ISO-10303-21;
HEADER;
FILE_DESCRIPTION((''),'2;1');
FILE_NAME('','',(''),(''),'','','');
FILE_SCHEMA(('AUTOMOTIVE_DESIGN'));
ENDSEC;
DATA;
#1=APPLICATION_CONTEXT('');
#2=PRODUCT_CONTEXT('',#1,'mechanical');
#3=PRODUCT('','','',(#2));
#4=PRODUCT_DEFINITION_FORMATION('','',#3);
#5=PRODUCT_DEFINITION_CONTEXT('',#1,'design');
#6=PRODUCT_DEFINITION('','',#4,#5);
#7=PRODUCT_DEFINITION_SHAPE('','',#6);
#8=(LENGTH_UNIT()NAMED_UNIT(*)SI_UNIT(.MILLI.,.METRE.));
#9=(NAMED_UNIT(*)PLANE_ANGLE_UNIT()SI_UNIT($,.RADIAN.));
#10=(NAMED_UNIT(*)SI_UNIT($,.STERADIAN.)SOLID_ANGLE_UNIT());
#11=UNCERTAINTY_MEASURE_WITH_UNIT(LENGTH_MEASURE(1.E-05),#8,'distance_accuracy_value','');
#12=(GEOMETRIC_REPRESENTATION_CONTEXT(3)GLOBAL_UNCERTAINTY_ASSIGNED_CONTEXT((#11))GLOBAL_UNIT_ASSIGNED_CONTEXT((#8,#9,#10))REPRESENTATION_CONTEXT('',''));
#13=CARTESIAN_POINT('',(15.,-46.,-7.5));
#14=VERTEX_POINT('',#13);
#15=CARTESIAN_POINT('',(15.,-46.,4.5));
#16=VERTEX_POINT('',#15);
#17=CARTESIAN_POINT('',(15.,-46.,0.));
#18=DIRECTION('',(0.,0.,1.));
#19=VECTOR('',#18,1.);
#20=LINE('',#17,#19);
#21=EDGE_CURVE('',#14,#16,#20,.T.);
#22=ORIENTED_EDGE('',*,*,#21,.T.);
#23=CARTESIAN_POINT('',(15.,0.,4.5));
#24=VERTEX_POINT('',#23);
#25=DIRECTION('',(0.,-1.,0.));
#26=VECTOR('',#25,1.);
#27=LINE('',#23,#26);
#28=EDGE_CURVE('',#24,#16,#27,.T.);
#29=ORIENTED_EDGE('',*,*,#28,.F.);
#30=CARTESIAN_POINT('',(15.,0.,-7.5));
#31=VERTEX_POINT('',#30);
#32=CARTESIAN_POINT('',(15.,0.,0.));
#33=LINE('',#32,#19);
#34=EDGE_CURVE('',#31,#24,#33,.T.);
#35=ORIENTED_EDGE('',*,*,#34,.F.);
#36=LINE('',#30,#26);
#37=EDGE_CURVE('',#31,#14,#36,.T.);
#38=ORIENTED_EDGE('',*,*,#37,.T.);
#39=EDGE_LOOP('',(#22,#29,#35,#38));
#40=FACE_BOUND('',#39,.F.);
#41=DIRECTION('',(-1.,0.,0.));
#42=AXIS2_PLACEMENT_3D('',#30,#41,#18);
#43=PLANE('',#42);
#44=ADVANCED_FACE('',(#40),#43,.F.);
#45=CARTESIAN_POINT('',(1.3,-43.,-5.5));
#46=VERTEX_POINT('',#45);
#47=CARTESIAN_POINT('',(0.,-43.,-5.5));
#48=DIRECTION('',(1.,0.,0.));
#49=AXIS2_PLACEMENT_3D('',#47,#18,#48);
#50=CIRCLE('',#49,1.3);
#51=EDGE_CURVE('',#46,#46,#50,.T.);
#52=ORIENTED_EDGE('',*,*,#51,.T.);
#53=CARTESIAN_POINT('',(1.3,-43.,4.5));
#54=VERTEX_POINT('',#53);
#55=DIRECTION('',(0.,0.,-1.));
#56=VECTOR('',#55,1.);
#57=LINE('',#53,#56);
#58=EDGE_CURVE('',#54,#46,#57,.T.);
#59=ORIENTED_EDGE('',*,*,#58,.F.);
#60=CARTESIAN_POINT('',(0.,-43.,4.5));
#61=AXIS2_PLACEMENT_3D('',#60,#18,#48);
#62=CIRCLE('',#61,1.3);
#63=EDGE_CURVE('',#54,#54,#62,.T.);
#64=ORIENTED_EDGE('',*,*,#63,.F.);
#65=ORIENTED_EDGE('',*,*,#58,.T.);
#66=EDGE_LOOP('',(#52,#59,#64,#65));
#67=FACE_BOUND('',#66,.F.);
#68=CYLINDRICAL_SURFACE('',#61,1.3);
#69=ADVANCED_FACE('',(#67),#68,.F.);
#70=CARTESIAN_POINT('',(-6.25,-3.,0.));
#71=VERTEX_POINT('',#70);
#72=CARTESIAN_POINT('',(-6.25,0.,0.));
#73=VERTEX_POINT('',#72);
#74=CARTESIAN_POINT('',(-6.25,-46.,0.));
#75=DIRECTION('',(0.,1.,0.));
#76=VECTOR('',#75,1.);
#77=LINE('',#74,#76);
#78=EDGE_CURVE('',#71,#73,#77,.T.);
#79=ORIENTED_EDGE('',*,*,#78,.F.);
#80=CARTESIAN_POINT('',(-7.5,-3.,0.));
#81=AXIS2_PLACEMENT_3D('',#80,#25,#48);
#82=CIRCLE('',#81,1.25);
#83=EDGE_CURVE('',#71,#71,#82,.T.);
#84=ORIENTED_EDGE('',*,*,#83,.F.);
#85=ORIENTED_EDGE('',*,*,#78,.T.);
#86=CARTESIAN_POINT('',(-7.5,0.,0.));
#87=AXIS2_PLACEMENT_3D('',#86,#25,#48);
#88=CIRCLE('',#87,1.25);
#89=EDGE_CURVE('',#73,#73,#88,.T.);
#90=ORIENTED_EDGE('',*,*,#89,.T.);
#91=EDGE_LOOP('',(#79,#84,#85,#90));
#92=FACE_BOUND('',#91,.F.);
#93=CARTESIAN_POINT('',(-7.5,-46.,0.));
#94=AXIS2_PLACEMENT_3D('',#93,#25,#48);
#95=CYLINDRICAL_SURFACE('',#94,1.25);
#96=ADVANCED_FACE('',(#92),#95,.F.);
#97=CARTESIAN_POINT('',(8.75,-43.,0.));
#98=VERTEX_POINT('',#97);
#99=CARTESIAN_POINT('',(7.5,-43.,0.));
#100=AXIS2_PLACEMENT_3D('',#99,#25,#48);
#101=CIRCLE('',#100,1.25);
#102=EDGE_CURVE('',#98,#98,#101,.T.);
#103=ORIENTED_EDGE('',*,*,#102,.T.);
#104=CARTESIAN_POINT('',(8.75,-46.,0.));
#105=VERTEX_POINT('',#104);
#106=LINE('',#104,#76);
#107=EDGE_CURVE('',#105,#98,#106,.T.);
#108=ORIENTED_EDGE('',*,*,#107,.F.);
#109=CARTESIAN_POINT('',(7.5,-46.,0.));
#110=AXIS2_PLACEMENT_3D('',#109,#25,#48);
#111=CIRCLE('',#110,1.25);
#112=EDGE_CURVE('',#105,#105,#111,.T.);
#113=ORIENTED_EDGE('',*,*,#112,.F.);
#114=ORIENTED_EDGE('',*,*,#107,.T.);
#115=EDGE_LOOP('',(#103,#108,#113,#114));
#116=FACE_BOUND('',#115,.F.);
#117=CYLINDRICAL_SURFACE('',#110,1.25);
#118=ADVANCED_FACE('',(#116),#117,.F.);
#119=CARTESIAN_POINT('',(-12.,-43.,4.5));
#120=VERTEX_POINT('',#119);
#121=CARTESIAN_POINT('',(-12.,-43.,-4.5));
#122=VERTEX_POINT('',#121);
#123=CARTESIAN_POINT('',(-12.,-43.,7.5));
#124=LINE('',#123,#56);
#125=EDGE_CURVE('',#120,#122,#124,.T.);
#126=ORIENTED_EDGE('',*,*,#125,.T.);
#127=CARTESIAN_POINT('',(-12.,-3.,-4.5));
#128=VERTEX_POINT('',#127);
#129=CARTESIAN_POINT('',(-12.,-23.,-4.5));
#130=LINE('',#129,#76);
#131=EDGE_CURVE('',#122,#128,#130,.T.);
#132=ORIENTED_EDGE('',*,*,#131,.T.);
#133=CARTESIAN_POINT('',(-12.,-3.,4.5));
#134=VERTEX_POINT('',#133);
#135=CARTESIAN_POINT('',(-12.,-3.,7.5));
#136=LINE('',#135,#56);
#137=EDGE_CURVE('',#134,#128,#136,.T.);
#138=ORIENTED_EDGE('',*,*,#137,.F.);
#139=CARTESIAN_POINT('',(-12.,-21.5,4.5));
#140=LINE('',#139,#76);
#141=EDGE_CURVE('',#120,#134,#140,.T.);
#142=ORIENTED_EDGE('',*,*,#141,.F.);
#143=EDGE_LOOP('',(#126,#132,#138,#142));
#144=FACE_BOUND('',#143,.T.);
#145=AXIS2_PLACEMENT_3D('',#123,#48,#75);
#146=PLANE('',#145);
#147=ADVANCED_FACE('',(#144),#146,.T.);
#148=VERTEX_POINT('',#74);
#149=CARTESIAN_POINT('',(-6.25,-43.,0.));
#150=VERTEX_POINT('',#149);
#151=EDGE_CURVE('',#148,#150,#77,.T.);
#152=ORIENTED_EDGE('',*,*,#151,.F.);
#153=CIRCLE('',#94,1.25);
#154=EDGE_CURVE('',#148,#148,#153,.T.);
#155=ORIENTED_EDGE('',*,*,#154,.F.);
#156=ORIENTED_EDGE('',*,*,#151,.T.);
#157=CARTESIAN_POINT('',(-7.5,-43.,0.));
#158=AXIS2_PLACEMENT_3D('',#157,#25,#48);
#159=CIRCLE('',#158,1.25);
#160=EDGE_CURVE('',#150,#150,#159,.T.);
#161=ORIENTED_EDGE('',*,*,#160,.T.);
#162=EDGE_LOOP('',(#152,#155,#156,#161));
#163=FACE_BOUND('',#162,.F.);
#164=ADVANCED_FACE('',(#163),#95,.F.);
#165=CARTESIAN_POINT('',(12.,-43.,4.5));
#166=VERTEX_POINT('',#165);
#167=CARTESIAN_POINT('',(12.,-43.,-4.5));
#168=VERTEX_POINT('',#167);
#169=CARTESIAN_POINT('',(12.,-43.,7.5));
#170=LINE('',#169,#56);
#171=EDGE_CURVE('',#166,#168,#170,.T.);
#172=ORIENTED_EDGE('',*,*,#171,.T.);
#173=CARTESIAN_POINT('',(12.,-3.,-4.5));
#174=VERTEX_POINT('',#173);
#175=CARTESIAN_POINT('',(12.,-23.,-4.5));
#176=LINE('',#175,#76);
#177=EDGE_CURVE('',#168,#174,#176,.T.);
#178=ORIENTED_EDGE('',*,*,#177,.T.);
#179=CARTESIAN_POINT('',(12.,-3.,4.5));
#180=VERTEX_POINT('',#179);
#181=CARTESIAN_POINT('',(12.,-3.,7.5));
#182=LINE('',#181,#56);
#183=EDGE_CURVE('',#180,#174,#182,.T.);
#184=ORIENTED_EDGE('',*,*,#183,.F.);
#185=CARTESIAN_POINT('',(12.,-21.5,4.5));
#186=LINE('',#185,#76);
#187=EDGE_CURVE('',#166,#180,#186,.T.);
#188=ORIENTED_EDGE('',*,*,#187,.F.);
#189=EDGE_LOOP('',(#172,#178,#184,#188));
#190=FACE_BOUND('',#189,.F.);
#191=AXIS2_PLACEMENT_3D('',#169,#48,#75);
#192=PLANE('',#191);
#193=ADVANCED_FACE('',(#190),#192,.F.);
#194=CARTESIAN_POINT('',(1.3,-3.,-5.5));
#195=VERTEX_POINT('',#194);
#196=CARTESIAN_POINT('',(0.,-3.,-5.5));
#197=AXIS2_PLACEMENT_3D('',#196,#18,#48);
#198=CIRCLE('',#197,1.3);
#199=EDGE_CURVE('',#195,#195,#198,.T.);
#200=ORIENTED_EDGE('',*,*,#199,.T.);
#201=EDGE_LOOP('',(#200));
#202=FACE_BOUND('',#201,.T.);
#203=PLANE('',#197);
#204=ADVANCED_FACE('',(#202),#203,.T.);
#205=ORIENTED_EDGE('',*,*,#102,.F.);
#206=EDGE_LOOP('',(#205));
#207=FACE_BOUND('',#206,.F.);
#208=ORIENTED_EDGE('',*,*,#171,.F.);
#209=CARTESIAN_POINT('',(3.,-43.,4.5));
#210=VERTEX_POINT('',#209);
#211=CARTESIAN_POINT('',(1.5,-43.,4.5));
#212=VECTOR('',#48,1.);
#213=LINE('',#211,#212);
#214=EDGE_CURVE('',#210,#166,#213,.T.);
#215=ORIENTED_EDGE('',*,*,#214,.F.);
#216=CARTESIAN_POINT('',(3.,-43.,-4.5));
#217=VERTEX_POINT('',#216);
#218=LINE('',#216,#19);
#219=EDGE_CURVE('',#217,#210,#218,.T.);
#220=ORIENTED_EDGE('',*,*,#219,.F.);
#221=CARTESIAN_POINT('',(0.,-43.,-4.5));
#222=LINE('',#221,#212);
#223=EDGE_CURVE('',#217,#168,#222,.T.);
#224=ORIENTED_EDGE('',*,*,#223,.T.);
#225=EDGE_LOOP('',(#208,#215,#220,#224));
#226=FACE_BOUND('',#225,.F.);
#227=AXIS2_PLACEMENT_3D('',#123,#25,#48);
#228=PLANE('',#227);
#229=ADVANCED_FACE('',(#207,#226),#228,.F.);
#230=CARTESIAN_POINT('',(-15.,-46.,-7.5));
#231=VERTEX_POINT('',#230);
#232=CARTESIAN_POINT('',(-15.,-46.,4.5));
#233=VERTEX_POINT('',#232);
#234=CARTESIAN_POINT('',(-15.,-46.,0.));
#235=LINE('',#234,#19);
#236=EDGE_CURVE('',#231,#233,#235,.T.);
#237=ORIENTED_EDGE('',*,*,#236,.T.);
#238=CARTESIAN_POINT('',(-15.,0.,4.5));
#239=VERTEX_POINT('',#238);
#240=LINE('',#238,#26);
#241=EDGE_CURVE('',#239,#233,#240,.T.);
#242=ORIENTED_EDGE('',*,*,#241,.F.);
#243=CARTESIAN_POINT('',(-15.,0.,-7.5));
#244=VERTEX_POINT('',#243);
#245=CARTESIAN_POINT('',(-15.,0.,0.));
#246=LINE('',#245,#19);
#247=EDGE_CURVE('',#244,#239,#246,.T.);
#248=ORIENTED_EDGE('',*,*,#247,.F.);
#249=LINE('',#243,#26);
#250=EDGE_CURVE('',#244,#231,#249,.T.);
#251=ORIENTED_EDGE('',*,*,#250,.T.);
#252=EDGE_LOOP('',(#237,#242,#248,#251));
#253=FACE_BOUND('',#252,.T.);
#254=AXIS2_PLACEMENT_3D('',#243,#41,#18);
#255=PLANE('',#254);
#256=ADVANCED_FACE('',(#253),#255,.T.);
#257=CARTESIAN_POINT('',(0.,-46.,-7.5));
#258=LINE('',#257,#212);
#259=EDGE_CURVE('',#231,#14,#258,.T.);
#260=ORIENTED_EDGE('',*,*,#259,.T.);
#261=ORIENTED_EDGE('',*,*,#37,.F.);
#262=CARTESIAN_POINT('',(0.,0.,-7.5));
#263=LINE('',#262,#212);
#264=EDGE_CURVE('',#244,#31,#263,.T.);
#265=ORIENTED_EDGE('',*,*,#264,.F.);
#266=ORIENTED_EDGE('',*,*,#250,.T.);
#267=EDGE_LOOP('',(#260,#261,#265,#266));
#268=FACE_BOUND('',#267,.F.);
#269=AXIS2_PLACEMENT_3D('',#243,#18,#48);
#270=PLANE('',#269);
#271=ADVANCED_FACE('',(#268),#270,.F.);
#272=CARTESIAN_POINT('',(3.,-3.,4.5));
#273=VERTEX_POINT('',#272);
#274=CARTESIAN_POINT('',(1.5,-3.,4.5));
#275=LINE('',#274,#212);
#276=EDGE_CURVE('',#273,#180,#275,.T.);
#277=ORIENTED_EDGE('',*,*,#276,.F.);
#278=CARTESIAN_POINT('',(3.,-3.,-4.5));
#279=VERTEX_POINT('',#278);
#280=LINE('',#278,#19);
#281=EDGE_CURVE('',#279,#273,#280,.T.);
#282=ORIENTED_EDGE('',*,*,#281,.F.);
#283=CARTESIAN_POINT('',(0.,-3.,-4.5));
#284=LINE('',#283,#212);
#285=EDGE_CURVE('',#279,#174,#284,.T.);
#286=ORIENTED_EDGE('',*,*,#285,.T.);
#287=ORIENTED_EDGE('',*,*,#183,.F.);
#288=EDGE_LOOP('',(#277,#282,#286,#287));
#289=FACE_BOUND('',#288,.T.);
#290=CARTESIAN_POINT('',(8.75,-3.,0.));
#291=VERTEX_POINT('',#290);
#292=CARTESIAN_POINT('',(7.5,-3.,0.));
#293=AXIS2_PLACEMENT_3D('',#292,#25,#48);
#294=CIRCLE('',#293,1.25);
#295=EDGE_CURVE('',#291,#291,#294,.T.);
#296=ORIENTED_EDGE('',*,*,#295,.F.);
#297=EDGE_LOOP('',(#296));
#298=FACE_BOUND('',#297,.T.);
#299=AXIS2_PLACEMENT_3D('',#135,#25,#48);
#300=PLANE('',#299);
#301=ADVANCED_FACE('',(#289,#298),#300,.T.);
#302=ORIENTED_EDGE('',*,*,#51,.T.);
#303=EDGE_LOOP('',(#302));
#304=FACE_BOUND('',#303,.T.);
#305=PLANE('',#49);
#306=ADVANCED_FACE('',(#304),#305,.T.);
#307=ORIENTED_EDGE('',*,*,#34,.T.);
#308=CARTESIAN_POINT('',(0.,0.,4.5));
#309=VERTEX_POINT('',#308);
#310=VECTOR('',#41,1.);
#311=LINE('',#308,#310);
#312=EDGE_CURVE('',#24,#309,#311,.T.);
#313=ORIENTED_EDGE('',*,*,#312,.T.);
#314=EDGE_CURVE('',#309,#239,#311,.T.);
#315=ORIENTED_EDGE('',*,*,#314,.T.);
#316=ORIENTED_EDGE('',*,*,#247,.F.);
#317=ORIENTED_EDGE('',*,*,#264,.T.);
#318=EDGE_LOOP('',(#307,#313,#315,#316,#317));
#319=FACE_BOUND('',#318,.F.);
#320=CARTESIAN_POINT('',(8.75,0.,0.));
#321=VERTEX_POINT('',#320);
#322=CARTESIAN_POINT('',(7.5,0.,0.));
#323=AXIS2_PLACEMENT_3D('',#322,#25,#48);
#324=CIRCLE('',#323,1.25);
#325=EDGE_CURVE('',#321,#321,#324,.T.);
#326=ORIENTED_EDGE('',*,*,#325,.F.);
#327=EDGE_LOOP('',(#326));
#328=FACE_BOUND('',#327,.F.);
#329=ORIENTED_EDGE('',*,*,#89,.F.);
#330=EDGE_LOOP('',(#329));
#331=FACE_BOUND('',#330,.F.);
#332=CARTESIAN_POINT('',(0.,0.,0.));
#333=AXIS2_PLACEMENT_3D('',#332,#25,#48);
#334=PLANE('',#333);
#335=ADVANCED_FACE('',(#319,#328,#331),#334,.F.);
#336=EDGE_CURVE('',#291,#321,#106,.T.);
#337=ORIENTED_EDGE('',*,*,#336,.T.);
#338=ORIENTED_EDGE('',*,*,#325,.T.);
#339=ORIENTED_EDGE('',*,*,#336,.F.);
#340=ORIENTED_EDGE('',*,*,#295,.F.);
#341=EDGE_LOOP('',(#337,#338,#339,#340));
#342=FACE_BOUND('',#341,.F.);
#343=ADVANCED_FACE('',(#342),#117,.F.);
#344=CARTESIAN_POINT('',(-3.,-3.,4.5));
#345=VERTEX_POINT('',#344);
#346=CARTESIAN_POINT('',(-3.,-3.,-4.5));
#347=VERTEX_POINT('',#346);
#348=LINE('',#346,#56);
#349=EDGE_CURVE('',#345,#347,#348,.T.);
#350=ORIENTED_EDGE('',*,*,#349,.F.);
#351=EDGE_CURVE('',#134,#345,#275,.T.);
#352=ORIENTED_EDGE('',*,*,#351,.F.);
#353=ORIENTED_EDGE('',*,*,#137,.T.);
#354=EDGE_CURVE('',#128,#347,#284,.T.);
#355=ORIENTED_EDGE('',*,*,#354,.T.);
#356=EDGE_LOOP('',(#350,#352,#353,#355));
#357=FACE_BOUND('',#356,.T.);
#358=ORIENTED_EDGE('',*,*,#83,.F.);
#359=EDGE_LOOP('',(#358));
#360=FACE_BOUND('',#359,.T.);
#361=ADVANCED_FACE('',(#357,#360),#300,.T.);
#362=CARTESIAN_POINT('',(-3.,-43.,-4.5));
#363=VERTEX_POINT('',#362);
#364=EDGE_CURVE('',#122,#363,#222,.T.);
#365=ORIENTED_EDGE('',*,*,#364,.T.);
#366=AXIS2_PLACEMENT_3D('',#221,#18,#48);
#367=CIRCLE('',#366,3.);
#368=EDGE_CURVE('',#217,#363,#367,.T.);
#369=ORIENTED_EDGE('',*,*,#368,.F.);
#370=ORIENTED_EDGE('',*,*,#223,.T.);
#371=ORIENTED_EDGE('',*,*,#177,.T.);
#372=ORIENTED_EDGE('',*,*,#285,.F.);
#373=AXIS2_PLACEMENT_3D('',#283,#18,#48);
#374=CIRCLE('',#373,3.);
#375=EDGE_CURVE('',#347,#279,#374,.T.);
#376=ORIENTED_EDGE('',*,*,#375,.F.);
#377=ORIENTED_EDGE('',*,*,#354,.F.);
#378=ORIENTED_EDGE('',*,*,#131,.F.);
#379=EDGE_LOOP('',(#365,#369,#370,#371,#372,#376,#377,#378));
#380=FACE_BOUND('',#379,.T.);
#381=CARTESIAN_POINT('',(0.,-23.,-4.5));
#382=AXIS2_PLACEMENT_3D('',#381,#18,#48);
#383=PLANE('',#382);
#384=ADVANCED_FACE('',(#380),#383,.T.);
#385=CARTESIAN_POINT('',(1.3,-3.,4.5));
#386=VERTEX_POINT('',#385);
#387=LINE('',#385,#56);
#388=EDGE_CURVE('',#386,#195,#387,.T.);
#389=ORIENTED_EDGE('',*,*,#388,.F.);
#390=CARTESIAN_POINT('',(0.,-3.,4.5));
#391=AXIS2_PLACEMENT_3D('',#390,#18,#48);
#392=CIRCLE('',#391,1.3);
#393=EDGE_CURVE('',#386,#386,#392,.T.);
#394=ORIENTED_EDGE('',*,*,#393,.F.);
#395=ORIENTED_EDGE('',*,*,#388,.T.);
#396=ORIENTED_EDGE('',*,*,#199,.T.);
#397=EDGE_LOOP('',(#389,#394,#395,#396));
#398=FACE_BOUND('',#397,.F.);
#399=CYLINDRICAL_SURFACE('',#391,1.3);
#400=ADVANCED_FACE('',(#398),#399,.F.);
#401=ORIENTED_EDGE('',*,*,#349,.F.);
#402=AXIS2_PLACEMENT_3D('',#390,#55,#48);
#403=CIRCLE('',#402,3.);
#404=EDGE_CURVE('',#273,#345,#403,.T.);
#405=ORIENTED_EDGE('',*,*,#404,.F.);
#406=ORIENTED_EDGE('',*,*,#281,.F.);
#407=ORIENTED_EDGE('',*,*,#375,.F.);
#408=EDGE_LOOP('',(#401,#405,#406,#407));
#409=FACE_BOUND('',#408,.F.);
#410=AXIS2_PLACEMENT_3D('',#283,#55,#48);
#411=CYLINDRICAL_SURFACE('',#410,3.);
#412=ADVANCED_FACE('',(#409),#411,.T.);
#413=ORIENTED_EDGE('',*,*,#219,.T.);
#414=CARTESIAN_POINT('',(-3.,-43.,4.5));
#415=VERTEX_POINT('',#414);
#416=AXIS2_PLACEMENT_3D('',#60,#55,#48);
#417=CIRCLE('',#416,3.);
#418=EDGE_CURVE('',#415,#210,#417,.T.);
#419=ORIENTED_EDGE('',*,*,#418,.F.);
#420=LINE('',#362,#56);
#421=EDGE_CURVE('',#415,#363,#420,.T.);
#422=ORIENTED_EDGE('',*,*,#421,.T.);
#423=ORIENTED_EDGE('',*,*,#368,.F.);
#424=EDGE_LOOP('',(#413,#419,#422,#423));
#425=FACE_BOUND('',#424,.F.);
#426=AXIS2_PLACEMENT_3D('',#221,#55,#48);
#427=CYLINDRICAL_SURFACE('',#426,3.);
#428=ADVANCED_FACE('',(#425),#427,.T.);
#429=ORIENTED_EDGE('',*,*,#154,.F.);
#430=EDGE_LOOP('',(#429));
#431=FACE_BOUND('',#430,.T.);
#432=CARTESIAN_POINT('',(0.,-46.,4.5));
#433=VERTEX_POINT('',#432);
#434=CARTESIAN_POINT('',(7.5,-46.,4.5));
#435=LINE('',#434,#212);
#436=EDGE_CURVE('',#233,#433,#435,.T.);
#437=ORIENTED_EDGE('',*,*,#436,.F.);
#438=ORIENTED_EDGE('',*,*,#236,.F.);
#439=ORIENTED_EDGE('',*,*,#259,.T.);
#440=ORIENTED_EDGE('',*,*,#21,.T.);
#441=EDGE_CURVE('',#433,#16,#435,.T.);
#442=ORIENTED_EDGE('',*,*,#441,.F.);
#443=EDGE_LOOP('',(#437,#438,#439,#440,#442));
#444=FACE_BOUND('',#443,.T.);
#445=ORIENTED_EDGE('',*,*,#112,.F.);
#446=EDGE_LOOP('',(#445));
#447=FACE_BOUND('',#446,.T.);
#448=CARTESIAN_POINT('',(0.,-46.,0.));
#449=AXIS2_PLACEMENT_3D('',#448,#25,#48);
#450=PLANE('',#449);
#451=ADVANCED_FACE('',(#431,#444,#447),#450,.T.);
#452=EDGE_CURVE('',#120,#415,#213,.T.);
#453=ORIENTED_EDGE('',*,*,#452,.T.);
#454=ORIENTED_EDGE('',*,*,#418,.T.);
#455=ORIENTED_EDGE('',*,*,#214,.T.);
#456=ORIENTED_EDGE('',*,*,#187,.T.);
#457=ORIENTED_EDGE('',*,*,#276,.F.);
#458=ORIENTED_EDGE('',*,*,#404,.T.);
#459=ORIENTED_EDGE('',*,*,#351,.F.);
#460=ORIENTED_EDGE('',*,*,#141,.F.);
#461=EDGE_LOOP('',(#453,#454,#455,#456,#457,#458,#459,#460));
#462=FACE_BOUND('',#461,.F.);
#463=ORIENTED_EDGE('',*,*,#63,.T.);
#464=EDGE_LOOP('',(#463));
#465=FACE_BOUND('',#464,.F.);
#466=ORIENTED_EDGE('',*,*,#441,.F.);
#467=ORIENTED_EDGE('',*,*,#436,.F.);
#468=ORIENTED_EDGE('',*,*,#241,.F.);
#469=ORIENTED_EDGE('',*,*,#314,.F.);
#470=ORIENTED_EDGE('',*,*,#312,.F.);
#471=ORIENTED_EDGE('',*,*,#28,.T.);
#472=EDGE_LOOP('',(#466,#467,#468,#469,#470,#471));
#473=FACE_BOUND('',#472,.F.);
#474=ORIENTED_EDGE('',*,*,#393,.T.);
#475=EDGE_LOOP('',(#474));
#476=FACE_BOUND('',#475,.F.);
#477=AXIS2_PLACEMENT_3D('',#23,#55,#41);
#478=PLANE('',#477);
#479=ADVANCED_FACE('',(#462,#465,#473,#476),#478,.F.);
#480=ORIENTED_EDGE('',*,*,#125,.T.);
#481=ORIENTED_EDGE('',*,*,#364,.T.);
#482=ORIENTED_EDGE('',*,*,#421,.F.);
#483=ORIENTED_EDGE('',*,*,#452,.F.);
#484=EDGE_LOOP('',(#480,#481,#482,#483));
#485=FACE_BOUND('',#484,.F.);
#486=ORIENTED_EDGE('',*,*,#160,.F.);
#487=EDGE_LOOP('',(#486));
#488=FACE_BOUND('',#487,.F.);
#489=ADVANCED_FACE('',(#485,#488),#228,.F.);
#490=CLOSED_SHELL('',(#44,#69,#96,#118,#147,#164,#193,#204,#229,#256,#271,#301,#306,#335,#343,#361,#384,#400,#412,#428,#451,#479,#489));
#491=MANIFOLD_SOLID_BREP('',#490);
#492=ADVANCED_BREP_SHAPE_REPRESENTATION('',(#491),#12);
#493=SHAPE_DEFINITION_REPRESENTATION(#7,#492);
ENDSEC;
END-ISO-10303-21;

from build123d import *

# Parameters (mm, degrees)
F0_W      = 30
F0_H      = 15
F1_DEPTH  = 46
F2_R      = 1.25
F3_DEPTH  = 46
F4_W      = 24
F4_H      = 40
F5_DEPTH  = 12
F6_R      = 3
F7_DEPTH  = 12
F8_W      = 30
F8_H      = 3
F9_DEPTH  = 46.001
F10_R     = 1.3
F11_DEPTH = 10


with BuildPart() as f1:
    # F0 (on Front) → F1 (new body)
    with BuildSketch(Plane.XZ):
        Rectangle(F0_W, F0_H)
    extrude(amount=F1_DEPTH)

    # F2 (on face) → F3 (cut, through all)
    with BuildSketch(Plane.XZ.offset(46)):
        with Locations((-7.5, 0)):
            Circle(F2_R)
        with Locations((7.5, 0)):
            Circle(F2_R)
    extrude(amount=-F3_DEPTH, mode=Mode.SUBTRACT)

    # F4 (on face) → F5 (cut)
    with BuildSketch(Plane.XY.offset(7.5)):
        with Locations((0, -23)):
            Rectangle(F4_W, F4_H)
    extrude(amount=-F5_DEPTH, mode=Mode.SUBTRACT)

    # F6 (on face) → F7 (join)
    with BuildSketch(Plane.XY.offset(-4.5)):
        with Locations((0, -3)):
            Circle(F6_R)
        with Locations((0, -43)):
            Circle(F6_R)
    extrude(amount=F7_DEPTH)

    # F8 (on face) → F9 (cut, through all)
    with BuildSketch(Plane(origin=(0, 0, 0), x_dir=(-1, 0, 0), z_dir=(0, 1, 0))):
        with Locations((0, 6)):
            Rectangle(F8_W, F8_H)
    extrude(amount=-F9_DEPTH, mode=Mode.SUBTRACT)

    # F10 (on face) → F11 (cut)
    with BuildSketch(Plane.XY.offset(4.5)):
        with Locations((0, -3)):
            Circle(F10_R)
        with Locations((0, -43)):
            Circle(F10_R)
    extrude(amount=-F11_DEPTH, mode=Mode.SUBTRACT)


solid = f1.part
